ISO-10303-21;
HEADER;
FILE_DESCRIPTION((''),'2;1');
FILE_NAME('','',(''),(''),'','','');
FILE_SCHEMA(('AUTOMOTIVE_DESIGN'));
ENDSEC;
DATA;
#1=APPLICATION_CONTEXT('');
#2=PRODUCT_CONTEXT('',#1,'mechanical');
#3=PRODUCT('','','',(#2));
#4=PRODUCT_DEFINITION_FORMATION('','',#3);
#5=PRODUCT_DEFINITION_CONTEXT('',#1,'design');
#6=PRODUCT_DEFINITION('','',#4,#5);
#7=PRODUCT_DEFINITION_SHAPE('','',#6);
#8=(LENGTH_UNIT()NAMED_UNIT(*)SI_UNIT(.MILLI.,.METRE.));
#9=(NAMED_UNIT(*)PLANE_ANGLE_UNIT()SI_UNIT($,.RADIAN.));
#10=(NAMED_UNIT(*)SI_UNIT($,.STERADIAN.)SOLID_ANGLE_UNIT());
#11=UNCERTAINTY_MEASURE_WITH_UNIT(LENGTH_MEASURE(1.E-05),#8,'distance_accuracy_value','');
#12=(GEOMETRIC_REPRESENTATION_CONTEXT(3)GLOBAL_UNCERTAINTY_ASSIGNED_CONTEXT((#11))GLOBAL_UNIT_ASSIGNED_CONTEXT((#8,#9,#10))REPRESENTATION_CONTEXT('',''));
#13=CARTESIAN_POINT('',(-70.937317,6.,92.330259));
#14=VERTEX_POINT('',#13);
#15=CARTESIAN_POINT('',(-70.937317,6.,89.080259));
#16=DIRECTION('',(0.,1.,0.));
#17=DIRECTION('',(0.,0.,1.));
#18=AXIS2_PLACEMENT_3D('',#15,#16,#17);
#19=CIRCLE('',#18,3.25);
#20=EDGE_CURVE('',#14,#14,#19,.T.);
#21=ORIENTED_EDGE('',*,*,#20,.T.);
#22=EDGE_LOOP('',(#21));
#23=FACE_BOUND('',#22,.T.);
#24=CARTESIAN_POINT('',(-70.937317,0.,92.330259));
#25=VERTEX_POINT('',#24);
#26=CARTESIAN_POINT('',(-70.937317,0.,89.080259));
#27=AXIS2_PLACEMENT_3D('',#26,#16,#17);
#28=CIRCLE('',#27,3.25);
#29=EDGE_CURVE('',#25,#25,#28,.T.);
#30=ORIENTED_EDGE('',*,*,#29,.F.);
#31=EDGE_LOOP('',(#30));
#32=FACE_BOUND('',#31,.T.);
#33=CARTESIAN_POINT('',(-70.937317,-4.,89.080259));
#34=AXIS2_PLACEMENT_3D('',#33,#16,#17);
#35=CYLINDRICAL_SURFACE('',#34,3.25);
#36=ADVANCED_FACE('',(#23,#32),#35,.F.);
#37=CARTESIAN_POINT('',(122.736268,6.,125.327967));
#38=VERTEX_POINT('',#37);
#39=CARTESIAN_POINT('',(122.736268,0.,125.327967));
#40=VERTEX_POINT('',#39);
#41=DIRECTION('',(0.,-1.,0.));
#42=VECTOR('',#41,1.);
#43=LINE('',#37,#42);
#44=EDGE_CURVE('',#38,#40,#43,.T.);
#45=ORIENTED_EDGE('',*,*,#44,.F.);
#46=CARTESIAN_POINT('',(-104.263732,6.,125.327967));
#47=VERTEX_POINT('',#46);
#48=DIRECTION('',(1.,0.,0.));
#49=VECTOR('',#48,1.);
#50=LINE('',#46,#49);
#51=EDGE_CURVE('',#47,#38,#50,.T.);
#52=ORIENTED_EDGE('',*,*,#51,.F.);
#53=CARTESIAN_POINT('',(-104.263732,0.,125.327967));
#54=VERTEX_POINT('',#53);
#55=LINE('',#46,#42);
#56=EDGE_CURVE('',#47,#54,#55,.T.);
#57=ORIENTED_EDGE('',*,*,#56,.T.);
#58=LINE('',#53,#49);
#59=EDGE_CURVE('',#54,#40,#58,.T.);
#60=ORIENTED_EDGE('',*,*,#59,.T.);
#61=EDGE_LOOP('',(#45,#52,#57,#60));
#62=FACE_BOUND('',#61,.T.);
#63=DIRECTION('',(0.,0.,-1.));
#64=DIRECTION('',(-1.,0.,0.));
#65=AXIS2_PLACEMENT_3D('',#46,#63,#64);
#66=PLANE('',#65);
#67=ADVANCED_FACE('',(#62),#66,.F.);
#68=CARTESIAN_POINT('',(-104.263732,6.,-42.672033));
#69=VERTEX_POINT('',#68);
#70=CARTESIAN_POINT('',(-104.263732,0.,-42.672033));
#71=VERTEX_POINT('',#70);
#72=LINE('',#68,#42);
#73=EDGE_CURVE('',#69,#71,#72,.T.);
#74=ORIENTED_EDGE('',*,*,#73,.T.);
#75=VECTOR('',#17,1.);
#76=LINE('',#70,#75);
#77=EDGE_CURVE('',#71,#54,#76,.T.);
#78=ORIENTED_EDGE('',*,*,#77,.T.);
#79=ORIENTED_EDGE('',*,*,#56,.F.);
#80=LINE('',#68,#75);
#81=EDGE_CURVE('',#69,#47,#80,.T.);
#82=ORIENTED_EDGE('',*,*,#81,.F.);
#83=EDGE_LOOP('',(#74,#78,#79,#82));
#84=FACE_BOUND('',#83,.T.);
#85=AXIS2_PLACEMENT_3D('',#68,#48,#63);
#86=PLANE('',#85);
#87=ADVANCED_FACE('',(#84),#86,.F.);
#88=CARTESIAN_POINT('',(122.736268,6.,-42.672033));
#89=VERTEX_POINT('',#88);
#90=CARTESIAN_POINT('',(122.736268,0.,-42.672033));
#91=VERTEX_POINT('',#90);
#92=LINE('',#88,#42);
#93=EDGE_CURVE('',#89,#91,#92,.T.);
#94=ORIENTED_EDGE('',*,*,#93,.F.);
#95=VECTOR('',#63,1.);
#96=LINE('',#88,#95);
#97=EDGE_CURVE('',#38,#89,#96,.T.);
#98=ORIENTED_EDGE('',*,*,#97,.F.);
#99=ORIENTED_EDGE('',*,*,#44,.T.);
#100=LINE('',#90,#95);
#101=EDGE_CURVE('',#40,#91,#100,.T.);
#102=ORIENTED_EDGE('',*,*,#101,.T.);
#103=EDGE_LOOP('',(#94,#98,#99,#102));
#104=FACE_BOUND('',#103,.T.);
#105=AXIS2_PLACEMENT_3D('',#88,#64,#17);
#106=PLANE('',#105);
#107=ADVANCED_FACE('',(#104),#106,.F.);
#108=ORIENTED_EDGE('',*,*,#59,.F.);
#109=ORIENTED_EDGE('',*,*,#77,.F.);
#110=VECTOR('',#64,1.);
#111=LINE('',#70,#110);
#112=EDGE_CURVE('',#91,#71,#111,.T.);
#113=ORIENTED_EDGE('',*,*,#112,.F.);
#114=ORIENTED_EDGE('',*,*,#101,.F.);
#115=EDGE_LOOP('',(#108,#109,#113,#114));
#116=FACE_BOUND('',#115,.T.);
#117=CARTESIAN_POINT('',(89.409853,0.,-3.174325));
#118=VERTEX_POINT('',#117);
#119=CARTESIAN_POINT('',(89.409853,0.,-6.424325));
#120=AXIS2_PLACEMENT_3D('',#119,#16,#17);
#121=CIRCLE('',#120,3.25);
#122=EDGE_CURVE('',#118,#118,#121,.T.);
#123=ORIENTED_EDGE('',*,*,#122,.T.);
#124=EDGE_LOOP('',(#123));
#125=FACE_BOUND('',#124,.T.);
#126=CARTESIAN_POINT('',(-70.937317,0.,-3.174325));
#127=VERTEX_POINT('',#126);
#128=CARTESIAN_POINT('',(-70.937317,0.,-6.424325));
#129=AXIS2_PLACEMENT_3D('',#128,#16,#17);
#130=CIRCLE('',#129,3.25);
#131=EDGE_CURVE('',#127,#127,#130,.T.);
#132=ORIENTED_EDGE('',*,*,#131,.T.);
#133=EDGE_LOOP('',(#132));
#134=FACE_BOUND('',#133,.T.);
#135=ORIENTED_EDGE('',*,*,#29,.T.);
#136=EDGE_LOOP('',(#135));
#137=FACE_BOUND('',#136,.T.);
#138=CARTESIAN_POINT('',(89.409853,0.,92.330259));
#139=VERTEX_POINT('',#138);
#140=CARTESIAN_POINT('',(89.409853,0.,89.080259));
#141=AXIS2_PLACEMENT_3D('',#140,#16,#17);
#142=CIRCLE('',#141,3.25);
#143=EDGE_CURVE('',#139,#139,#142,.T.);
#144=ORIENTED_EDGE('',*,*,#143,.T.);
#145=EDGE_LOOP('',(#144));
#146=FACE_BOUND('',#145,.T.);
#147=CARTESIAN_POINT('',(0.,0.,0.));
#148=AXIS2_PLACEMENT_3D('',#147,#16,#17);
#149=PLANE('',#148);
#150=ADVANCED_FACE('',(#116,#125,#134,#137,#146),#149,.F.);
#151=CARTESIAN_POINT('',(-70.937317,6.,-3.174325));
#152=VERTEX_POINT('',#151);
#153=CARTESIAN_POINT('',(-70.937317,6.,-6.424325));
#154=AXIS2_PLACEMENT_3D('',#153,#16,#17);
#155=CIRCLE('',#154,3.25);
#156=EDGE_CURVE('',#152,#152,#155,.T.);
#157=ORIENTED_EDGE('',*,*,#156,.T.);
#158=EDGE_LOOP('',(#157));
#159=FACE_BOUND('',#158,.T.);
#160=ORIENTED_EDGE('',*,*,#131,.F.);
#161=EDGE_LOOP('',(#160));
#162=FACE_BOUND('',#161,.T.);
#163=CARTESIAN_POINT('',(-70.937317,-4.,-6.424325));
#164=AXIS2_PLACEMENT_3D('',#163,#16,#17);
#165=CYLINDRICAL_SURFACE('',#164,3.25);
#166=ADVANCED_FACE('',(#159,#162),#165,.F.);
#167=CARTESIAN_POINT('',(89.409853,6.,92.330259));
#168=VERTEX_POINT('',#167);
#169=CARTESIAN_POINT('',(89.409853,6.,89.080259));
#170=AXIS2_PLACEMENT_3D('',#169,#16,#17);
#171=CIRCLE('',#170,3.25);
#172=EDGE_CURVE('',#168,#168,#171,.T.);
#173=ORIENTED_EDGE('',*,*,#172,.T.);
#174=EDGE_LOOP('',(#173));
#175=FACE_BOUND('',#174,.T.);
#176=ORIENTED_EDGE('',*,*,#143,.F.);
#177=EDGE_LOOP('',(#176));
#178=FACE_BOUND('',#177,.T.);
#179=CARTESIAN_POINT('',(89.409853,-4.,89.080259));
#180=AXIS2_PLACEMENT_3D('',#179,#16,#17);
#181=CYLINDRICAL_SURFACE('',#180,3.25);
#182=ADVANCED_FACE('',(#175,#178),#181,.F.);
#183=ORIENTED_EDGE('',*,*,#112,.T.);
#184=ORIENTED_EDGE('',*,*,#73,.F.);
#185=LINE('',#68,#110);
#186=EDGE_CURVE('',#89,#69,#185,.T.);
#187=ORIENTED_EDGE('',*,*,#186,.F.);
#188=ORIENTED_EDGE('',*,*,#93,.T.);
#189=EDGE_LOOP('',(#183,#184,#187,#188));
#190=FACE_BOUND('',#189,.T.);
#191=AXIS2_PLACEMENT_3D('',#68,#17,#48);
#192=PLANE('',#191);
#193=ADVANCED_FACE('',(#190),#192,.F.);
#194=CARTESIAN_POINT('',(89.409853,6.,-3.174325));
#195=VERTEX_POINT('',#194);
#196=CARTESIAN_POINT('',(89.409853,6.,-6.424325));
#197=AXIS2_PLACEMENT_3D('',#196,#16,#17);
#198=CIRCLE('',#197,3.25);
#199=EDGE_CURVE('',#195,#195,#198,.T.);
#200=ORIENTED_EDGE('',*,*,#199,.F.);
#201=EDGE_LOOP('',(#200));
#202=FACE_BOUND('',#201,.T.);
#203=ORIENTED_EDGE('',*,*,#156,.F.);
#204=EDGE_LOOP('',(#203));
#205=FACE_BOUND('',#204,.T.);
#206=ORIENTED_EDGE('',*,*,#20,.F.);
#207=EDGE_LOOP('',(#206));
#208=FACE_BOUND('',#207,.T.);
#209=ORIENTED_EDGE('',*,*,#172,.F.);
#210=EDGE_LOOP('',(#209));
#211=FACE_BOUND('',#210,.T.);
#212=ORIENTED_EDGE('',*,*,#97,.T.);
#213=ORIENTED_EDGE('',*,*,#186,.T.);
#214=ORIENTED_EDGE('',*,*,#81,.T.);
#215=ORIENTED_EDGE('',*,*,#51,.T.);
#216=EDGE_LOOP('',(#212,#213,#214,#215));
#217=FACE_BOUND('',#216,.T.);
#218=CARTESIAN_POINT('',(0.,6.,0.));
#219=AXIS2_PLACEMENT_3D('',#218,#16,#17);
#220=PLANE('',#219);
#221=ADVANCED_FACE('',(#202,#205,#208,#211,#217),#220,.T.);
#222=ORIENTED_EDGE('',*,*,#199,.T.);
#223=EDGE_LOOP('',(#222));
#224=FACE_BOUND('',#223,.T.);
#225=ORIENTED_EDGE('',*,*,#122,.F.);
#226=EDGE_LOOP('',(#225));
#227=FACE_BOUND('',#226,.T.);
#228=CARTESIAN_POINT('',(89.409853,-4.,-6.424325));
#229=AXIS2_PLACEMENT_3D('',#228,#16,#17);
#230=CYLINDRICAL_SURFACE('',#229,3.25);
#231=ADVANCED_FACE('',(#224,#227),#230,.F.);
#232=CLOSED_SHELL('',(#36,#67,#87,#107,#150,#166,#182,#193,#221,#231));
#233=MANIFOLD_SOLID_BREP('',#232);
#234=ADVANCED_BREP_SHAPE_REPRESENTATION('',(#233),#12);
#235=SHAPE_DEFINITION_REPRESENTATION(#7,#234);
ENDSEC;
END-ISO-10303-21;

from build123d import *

# Parameters (mm, degrees)
SKETCH1_W           = 227
SKETCH1_H           = 168
BOSS_EXTRUDE1_DEPTH = 6
SKETCH2_R           = 3.25
CUT_EXTRUDE1_DEPTH  = 10


with BuildPart() as part:
    # Sketch1 → Boss-Extrude1 (new body)
    with BuildSketch(Plane(origin=(0, 0, 0), x_dir=(1, 0, 0), z_dir=(0, 1, 0))):
        with Locations((9.236267745, -41.327966645)):
            Rectangle(SKETCH1_W, SKETCH1_H)
    extrude(amount=BOSS_EXTRUDE1_DEPTH)

    # Sketch2 → Cut-Extrude1 (cut)
    with BuildSketch(Plane(origin=(0, 6, 0), x_dir=(1, 0, 0), z_dir=(0, 1, 0))):
        with Locations(Location((89.409852644, -89.080258591, 0), (0, 0, 270))):
            Circle(SKETCH2_R)
        with Locations(Location((-70.937317153, -89.080258591, 0), (0, 0, 270))):
            Circle(SKETCH2_R)
        with Locations(Location((89.409852644, 6.424325301, 0), (0, 0, 270))):
            Circle(SKETCH2_R)
        with Locations(Location((-70.937317153, 6.424325301, 0), (0, 0, 270))):
            Circle(SKETCH2_R)
    extrude(amount=-CUT_EXTRUDE1_DEPTH, mode=Mode.SUBTRACT)


solid = part.part
